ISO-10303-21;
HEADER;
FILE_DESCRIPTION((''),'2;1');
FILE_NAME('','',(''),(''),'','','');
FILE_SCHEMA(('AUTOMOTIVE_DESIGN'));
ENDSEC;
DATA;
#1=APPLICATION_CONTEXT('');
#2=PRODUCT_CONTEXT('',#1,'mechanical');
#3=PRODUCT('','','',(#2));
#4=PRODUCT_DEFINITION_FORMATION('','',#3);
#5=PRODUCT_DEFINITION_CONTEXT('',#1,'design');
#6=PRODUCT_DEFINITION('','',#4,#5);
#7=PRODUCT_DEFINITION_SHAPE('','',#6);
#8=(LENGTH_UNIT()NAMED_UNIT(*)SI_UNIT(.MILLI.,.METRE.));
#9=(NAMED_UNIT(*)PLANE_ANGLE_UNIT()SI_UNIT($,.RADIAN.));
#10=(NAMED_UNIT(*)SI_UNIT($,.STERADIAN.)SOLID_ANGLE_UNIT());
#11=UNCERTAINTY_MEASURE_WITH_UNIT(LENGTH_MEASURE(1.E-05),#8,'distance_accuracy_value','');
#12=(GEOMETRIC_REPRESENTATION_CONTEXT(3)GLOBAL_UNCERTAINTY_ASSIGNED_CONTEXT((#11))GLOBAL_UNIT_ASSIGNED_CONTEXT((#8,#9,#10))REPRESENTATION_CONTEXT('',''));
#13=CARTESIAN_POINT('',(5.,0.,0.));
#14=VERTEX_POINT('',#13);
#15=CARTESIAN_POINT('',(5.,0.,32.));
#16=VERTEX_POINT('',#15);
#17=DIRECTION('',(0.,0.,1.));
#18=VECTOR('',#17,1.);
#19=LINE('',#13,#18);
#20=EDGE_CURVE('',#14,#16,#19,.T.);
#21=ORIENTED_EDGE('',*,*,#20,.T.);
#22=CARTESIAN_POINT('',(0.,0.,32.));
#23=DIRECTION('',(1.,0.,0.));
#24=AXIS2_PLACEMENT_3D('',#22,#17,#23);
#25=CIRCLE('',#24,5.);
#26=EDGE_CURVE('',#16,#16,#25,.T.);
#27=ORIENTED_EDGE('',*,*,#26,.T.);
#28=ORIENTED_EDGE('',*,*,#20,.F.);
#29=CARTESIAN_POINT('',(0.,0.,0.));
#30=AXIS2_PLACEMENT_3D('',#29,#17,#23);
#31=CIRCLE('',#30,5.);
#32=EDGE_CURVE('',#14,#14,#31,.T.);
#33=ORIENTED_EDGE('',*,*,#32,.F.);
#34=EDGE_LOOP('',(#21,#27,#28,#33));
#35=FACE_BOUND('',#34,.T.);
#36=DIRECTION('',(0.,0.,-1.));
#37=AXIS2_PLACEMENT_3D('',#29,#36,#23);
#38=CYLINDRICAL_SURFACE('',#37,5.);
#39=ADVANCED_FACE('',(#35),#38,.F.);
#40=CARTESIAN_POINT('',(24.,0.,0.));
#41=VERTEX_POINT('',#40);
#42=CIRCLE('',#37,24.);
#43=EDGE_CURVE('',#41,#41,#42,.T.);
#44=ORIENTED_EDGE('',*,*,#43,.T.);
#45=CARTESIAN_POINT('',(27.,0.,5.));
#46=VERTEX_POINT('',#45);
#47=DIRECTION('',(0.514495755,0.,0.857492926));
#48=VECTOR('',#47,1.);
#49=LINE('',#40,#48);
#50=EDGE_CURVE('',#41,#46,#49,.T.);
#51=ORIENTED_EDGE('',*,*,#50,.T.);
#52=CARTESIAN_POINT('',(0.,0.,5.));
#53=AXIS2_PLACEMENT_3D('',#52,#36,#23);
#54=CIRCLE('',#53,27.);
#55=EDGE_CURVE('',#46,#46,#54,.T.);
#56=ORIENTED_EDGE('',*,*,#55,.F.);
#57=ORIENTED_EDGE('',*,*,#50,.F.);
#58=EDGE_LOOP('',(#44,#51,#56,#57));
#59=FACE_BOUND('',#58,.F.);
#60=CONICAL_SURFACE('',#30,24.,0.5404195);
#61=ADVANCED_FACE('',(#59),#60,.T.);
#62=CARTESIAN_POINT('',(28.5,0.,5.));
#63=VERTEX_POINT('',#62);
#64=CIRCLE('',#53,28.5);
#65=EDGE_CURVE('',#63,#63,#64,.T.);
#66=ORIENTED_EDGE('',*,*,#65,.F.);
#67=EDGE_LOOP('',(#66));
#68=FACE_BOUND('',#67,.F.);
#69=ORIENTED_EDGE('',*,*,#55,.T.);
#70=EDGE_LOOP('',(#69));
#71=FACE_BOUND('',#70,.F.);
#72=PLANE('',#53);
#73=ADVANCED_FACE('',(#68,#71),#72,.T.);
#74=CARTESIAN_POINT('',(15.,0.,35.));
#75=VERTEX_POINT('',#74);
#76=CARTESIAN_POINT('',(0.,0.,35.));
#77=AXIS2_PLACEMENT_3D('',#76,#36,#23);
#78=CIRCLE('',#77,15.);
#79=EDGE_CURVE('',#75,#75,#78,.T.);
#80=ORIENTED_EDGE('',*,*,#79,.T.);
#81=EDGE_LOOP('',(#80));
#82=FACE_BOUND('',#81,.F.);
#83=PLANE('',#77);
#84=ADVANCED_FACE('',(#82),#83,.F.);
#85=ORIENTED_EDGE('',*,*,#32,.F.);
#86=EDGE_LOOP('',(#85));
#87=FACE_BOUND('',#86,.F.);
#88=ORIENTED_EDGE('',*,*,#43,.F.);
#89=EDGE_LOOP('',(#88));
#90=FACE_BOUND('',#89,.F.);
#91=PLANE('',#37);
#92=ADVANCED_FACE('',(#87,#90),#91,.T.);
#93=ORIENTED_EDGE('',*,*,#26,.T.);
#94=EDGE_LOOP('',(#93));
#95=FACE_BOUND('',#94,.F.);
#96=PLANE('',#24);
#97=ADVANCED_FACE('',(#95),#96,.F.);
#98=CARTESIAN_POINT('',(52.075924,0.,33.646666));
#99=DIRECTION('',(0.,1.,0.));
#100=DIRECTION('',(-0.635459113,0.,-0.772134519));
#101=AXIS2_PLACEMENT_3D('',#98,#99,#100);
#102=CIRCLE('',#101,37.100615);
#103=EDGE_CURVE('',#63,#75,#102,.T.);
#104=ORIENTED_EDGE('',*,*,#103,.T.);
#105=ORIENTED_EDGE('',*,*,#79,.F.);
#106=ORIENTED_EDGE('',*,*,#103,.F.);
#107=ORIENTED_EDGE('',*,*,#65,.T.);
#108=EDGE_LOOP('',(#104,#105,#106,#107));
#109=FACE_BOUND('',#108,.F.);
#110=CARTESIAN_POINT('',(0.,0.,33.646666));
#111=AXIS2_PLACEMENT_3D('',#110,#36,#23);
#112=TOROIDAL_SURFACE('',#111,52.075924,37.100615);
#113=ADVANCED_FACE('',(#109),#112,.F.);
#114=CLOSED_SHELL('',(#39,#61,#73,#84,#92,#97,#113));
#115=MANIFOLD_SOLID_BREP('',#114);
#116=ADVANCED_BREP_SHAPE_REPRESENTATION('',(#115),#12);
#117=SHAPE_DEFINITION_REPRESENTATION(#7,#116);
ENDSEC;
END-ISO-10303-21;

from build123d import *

# Parameters (mm, degrees)
F2_R     = 5
F3_DEPTH = 32


with BuildPart() as f1:
    # F0 (on Front) → F1 (revolve)
    with BuildSketch(Plane.XZ):
        with BuildLine():
            Line((0, 35), (0, 0))
            Line((0, 0), (24, 0))
            Line((24, 0), (27, 5))
            Line((27, 5), (28.5, 5))
            ThreePointArc((28.5, 5), (18.243075, 18.421884), (15, 35))
            Line((15, 35), (0, 35))
        make_face()
    revolve(axis=Axis((0, 0, 17.5), (0, 0, -1)))


with BuildPart() as f3:
    # F2 (on Top) → F3 (new body)
    with BuildSketch(Plane.XY):
        Circle(F2_R)
    extrude(amount=F3_DEPTH)


with BuildPart() as f1_1:
    add(f1.part)

    # F4: cut F3
    add(f3.part, mode=Mode.SUBTRACT)


solid = f1_1.part
